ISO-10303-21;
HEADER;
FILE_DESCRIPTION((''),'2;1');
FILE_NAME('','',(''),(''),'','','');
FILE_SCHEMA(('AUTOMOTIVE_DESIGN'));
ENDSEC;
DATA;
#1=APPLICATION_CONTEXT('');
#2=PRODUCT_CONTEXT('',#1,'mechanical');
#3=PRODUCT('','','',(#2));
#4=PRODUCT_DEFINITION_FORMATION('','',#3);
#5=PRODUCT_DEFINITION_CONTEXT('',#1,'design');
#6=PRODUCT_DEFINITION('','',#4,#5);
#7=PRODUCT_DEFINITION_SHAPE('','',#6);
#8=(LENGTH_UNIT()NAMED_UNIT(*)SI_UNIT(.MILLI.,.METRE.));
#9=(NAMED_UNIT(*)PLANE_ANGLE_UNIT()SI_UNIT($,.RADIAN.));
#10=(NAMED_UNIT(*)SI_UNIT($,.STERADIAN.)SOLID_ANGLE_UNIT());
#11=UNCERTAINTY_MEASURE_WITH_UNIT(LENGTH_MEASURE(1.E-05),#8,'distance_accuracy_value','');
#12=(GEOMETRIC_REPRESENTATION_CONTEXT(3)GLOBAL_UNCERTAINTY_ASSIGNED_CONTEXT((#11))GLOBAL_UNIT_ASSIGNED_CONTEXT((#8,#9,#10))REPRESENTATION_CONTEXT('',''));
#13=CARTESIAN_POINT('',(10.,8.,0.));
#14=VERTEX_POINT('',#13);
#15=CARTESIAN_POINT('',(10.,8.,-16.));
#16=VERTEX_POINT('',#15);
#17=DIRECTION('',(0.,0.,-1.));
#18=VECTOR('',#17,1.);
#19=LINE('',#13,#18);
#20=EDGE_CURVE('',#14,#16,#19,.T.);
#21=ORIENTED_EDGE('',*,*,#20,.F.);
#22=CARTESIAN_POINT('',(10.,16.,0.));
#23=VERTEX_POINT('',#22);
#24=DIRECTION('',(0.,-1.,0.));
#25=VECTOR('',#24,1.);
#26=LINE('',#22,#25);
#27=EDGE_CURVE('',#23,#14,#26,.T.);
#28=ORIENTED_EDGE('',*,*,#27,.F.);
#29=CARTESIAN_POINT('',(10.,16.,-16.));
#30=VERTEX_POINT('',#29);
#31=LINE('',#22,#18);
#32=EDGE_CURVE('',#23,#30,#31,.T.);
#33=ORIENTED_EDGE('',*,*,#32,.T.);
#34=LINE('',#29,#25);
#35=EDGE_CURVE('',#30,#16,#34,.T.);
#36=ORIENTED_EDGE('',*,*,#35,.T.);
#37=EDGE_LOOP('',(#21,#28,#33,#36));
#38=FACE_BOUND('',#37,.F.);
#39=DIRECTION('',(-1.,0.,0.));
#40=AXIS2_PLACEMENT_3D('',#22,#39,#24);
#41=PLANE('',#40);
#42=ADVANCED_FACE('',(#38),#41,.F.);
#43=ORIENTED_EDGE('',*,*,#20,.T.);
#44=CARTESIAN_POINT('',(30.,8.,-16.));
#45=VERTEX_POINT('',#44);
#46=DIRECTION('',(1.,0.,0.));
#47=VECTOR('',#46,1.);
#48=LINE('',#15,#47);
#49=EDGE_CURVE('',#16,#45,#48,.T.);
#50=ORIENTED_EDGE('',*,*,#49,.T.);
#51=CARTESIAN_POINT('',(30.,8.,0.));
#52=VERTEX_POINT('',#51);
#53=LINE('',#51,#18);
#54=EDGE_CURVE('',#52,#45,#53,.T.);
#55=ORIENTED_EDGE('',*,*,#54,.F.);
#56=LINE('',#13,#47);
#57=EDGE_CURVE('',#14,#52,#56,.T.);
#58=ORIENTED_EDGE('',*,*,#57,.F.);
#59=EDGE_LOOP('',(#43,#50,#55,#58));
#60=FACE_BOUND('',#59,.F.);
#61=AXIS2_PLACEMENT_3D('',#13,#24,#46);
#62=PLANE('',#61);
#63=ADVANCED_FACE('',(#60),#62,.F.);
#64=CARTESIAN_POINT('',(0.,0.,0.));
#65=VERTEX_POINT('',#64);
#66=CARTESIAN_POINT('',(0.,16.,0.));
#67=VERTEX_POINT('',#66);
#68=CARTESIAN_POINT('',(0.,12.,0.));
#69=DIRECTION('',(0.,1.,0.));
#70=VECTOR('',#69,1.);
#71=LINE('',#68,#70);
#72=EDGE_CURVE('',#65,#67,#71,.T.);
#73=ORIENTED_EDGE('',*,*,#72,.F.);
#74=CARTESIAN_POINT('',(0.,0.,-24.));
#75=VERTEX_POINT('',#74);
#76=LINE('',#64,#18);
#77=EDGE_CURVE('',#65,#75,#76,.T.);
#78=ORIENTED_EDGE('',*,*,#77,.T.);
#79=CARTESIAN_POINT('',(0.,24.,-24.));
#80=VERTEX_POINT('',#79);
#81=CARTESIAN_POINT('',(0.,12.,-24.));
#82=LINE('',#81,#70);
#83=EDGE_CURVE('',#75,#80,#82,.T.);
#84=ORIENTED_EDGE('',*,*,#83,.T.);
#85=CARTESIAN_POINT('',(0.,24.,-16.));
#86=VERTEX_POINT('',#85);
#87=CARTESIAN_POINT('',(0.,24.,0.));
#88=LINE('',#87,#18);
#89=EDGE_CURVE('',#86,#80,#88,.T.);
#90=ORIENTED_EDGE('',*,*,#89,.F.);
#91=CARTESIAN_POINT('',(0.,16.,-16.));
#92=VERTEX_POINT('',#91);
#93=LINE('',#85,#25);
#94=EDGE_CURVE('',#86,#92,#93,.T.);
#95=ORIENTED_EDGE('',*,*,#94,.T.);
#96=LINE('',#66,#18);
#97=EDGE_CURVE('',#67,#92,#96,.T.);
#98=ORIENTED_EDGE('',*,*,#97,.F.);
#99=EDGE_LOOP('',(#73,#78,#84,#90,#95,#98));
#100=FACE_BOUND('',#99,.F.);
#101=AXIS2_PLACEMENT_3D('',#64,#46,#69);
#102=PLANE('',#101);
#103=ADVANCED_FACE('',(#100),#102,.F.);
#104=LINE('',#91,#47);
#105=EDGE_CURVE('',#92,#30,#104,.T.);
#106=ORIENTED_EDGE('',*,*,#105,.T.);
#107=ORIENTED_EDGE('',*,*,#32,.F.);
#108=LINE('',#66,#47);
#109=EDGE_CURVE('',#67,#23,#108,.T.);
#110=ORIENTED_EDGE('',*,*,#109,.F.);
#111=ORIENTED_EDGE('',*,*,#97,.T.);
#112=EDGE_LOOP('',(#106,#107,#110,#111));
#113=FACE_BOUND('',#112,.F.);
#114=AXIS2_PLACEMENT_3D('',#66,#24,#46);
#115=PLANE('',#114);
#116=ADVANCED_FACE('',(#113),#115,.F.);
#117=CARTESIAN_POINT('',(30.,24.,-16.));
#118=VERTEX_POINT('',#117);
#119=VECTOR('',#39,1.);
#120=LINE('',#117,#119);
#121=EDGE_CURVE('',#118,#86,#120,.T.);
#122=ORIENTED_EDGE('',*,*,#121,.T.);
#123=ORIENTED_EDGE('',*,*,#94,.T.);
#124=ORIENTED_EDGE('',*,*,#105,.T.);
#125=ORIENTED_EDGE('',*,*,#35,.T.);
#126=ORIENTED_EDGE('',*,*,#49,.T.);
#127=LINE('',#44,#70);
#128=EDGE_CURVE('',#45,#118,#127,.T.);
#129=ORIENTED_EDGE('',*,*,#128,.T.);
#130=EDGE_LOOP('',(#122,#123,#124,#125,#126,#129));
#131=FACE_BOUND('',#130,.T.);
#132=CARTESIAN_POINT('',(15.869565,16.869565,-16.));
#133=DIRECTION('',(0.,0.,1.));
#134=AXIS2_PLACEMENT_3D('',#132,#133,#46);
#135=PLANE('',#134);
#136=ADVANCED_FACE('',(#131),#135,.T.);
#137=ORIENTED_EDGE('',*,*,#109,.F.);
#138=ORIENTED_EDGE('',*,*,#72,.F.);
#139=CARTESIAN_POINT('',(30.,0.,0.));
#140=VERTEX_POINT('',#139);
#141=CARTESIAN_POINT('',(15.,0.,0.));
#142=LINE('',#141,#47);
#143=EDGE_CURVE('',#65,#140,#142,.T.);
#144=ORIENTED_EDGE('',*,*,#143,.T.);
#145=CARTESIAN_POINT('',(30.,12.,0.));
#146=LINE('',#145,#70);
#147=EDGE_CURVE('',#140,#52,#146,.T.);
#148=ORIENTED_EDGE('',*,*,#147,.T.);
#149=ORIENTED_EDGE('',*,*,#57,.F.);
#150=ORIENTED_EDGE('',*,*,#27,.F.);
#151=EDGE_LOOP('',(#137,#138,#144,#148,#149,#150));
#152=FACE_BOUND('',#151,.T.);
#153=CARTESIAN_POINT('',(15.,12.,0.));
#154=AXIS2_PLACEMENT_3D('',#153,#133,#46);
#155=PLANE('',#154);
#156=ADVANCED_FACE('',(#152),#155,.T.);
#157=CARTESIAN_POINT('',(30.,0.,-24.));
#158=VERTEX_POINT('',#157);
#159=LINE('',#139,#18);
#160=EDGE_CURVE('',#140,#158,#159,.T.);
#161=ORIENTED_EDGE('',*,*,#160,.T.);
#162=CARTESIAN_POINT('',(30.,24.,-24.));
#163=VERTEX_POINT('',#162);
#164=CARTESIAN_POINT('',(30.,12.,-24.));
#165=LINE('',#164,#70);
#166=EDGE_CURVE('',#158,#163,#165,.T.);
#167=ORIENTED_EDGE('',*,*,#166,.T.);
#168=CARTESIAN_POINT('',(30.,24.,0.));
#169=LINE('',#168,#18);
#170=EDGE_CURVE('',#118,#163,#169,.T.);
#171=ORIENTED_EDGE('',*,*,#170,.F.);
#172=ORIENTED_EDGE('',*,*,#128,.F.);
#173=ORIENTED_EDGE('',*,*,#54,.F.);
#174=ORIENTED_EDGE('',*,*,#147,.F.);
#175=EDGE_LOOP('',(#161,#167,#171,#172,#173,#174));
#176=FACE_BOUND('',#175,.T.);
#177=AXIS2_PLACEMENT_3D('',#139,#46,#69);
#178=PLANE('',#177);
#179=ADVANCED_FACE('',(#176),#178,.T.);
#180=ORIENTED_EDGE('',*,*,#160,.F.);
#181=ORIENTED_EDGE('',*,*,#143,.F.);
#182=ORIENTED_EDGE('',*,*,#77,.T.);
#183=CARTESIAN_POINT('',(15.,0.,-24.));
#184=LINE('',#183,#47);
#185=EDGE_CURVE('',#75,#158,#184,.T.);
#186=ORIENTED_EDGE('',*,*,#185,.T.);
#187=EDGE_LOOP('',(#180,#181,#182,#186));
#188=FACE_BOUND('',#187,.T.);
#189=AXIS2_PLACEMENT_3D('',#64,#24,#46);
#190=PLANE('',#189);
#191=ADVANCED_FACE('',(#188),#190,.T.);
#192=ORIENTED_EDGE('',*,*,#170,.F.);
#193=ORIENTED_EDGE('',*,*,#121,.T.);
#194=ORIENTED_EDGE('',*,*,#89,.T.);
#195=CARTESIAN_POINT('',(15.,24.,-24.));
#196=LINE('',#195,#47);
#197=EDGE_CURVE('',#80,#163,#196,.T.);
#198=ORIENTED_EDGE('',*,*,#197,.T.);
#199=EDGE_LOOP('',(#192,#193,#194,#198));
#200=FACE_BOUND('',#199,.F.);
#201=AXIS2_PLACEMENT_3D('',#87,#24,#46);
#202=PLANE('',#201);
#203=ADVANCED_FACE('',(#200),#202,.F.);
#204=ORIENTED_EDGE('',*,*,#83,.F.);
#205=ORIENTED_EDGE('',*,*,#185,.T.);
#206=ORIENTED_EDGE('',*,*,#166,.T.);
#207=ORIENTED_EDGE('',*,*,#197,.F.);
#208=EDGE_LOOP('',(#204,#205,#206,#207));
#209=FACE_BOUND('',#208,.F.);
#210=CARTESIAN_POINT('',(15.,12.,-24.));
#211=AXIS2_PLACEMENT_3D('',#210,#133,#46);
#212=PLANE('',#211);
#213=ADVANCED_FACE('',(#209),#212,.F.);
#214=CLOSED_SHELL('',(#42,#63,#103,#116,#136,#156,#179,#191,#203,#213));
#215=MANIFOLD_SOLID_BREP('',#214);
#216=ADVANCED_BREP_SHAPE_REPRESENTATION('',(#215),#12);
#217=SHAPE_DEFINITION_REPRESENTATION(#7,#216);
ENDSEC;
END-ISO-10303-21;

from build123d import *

# Parameters (mm, degrees)
F0_W     = 30
F0_H     = 24
F1_DEPTH = 24
F3_DEPTH = 16


with BuildPart() as f1:
    # F0 (on Top) → F1 (new body)
    with BuildSketch(Plane.XY):
        with Locations((15, 12)):
            Rectangle(F0_W, F0_H)
    extrude(amount=-F1_DEPTH)

    # F2 (on face) → F3 (cut)
    with BuildSketch(Plane.XY):
        Polygon((10, 8), (30, 8), (30, 24), (0, 24), (0, 16), (10, 16), align=None)
    extrude(amount=-F3_DEPTH, mode=Mode.SUBTRACT)


solid = f1.part
